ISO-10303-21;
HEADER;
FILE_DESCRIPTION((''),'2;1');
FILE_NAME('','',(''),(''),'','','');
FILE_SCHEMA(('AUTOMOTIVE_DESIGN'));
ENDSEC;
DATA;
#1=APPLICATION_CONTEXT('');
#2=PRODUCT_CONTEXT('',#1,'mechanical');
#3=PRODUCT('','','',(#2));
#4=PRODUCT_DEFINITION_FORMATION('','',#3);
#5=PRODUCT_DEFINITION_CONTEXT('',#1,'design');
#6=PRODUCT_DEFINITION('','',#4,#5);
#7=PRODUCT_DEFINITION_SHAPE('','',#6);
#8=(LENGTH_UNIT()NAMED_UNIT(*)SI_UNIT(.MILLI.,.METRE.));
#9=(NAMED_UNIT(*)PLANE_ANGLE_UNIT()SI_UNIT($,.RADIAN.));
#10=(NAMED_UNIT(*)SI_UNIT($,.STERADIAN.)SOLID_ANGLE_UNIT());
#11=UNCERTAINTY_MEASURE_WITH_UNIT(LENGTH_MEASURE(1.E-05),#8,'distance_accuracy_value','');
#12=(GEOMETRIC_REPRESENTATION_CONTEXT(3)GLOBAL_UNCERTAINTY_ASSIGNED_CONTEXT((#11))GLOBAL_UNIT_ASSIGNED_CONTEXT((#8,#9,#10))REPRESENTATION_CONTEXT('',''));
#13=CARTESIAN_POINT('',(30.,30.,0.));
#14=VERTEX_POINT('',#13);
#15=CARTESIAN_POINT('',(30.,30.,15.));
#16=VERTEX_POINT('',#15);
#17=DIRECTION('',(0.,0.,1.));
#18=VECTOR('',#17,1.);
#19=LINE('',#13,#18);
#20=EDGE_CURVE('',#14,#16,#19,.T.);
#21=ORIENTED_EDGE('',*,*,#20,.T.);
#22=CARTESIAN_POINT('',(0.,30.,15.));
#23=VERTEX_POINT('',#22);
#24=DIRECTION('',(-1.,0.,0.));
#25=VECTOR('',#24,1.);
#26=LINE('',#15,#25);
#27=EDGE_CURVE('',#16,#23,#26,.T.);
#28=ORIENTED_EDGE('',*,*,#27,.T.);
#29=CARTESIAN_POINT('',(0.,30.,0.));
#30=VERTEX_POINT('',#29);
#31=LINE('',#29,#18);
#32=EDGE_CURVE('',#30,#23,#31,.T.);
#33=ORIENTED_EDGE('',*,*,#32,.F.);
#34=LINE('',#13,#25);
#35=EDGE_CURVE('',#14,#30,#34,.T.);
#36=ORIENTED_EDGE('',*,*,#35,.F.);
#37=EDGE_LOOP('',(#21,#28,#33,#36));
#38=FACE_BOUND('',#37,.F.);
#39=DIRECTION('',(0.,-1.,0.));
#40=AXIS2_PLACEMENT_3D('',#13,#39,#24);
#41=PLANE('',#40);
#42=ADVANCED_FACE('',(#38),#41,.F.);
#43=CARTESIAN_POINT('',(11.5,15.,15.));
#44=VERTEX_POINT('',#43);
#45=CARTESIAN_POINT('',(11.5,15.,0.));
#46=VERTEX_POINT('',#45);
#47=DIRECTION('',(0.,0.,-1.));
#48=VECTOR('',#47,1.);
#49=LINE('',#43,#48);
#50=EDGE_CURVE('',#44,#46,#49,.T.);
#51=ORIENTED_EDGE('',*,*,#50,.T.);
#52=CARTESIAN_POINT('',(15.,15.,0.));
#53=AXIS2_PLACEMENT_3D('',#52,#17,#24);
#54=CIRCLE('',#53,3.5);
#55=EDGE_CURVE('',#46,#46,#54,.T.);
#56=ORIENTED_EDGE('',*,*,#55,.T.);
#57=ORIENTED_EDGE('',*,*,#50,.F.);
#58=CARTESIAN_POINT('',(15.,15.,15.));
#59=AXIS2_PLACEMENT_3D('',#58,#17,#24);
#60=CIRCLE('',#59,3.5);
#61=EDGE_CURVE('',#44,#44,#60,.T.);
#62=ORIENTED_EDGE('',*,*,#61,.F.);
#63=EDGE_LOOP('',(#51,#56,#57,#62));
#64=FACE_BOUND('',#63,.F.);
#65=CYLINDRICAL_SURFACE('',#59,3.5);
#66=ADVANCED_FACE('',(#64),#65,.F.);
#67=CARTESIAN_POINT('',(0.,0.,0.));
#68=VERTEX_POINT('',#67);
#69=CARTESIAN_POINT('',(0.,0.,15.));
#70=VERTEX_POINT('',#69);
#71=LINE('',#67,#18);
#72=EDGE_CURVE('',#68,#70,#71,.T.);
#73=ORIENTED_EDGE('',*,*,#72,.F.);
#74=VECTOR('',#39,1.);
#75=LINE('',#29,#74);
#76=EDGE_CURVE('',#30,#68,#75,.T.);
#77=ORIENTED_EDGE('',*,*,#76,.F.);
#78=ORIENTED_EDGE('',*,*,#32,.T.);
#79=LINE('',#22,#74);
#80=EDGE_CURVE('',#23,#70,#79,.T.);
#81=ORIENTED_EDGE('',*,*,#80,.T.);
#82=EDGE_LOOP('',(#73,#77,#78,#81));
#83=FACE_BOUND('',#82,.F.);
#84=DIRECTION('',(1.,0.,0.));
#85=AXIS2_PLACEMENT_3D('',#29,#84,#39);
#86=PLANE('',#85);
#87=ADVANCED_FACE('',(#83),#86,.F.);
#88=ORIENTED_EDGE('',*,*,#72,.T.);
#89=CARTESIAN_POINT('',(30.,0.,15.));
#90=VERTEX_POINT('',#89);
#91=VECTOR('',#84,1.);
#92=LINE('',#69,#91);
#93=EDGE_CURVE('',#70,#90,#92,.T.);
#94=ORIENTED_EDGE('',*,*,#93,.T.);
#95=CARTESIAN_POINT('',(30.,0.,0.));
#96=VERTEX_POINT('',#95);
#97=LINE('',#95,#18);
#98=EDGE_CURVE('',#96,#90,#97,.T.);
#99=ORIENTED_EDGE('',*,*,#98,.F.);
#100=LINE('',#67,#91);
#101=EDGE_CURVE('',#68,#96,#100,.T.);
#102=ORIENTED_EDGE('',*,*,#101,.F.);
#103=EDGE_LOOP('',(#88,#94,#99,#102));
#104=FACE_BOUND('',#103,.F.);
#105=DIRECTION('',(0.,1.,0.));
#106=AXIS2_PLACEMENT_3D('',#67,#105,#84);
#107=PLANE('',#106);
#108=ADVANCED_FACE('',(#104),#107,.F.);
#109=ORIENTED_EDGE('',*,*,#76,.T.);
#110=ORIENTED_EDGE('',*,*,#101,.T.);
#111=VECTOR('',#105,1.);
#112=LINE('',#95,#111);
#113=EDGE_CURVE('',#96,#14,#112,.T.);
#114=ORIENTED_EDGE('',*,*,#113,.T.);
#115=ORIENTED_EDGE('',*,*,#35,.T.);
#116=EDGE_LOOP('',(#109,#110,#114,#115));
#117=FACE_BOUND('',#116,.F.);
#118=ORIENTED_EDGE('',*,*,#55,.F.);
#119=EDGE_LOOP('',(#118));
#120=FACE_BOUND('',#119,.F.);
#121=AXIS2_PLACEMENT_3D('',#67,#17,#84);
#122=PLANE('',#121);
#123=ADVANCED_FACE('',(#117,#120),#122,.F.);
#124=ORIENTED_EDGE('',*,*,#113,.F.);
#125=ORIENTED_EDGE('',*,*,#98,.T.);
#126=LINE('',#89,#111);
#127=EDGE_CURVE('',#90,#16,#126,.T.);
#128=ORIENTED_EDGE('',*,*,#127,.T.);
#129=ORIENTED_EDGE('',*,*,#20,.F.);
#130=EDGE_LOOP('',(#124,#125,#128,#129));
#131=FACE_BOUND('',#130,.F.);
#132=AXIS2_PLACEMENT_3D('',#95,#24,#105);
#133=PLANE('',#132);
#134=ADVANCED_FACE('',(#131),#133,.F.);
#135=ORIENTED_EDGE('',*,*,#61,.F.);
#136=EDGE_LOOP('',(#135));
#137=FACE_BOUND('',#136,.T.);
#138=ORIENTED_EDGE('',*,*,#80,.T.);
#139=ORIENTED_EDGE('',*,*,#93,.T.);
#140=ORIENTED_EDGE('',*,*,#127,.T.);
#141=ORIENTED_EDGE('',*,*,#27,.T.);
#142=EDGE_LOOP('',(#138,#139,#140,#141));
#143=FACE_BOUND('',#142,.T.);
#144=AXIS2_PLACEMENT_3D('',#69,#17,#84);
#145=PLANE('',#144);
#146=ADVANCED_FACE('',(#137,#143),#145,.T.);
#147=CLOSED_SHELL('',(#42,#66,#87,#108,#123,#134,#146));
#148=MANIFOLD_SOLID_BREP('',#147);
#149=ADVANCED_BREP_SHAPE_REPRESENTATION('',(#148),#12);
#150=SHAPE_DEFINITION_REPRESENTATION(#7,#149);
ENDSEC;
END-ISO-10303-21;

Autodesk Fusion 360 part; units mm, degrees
sketch "Skizze1" plane through (0, 0, 0) normal (0, 0, 1) x (1, 0, 0)
  line L0 (0, 0) -> (30, 0)
  line L1 (30, 0) -> (30, 30)
  line L2 (30, 30) -> (0, 30)
  line L3 (0, 30) -> (0, 0)
  dimension "d1" = 30
  dimension "d2" = 30
extrude "Extrusion1" add sketch "Skizze1" along normal blind 15
sketch "Skizze2" plane through (0, 0, 15) normal (0, 0, 1) x (-1, 0, 0)
  line L0 (0, -30) -> (0, 0)
  line L1 (0, 0) -> (-30, 0)
  line L2 (-30, 0) -> (-30, -30)
  line L3 (-30, -30) -> (0, -30)
  circle A0 centre (-15, -15) radius 3.5
  dimension "d5" = 7
extrude "Extrusion2" cut sketch "Skizze2" against normal blind 15 contours A0
